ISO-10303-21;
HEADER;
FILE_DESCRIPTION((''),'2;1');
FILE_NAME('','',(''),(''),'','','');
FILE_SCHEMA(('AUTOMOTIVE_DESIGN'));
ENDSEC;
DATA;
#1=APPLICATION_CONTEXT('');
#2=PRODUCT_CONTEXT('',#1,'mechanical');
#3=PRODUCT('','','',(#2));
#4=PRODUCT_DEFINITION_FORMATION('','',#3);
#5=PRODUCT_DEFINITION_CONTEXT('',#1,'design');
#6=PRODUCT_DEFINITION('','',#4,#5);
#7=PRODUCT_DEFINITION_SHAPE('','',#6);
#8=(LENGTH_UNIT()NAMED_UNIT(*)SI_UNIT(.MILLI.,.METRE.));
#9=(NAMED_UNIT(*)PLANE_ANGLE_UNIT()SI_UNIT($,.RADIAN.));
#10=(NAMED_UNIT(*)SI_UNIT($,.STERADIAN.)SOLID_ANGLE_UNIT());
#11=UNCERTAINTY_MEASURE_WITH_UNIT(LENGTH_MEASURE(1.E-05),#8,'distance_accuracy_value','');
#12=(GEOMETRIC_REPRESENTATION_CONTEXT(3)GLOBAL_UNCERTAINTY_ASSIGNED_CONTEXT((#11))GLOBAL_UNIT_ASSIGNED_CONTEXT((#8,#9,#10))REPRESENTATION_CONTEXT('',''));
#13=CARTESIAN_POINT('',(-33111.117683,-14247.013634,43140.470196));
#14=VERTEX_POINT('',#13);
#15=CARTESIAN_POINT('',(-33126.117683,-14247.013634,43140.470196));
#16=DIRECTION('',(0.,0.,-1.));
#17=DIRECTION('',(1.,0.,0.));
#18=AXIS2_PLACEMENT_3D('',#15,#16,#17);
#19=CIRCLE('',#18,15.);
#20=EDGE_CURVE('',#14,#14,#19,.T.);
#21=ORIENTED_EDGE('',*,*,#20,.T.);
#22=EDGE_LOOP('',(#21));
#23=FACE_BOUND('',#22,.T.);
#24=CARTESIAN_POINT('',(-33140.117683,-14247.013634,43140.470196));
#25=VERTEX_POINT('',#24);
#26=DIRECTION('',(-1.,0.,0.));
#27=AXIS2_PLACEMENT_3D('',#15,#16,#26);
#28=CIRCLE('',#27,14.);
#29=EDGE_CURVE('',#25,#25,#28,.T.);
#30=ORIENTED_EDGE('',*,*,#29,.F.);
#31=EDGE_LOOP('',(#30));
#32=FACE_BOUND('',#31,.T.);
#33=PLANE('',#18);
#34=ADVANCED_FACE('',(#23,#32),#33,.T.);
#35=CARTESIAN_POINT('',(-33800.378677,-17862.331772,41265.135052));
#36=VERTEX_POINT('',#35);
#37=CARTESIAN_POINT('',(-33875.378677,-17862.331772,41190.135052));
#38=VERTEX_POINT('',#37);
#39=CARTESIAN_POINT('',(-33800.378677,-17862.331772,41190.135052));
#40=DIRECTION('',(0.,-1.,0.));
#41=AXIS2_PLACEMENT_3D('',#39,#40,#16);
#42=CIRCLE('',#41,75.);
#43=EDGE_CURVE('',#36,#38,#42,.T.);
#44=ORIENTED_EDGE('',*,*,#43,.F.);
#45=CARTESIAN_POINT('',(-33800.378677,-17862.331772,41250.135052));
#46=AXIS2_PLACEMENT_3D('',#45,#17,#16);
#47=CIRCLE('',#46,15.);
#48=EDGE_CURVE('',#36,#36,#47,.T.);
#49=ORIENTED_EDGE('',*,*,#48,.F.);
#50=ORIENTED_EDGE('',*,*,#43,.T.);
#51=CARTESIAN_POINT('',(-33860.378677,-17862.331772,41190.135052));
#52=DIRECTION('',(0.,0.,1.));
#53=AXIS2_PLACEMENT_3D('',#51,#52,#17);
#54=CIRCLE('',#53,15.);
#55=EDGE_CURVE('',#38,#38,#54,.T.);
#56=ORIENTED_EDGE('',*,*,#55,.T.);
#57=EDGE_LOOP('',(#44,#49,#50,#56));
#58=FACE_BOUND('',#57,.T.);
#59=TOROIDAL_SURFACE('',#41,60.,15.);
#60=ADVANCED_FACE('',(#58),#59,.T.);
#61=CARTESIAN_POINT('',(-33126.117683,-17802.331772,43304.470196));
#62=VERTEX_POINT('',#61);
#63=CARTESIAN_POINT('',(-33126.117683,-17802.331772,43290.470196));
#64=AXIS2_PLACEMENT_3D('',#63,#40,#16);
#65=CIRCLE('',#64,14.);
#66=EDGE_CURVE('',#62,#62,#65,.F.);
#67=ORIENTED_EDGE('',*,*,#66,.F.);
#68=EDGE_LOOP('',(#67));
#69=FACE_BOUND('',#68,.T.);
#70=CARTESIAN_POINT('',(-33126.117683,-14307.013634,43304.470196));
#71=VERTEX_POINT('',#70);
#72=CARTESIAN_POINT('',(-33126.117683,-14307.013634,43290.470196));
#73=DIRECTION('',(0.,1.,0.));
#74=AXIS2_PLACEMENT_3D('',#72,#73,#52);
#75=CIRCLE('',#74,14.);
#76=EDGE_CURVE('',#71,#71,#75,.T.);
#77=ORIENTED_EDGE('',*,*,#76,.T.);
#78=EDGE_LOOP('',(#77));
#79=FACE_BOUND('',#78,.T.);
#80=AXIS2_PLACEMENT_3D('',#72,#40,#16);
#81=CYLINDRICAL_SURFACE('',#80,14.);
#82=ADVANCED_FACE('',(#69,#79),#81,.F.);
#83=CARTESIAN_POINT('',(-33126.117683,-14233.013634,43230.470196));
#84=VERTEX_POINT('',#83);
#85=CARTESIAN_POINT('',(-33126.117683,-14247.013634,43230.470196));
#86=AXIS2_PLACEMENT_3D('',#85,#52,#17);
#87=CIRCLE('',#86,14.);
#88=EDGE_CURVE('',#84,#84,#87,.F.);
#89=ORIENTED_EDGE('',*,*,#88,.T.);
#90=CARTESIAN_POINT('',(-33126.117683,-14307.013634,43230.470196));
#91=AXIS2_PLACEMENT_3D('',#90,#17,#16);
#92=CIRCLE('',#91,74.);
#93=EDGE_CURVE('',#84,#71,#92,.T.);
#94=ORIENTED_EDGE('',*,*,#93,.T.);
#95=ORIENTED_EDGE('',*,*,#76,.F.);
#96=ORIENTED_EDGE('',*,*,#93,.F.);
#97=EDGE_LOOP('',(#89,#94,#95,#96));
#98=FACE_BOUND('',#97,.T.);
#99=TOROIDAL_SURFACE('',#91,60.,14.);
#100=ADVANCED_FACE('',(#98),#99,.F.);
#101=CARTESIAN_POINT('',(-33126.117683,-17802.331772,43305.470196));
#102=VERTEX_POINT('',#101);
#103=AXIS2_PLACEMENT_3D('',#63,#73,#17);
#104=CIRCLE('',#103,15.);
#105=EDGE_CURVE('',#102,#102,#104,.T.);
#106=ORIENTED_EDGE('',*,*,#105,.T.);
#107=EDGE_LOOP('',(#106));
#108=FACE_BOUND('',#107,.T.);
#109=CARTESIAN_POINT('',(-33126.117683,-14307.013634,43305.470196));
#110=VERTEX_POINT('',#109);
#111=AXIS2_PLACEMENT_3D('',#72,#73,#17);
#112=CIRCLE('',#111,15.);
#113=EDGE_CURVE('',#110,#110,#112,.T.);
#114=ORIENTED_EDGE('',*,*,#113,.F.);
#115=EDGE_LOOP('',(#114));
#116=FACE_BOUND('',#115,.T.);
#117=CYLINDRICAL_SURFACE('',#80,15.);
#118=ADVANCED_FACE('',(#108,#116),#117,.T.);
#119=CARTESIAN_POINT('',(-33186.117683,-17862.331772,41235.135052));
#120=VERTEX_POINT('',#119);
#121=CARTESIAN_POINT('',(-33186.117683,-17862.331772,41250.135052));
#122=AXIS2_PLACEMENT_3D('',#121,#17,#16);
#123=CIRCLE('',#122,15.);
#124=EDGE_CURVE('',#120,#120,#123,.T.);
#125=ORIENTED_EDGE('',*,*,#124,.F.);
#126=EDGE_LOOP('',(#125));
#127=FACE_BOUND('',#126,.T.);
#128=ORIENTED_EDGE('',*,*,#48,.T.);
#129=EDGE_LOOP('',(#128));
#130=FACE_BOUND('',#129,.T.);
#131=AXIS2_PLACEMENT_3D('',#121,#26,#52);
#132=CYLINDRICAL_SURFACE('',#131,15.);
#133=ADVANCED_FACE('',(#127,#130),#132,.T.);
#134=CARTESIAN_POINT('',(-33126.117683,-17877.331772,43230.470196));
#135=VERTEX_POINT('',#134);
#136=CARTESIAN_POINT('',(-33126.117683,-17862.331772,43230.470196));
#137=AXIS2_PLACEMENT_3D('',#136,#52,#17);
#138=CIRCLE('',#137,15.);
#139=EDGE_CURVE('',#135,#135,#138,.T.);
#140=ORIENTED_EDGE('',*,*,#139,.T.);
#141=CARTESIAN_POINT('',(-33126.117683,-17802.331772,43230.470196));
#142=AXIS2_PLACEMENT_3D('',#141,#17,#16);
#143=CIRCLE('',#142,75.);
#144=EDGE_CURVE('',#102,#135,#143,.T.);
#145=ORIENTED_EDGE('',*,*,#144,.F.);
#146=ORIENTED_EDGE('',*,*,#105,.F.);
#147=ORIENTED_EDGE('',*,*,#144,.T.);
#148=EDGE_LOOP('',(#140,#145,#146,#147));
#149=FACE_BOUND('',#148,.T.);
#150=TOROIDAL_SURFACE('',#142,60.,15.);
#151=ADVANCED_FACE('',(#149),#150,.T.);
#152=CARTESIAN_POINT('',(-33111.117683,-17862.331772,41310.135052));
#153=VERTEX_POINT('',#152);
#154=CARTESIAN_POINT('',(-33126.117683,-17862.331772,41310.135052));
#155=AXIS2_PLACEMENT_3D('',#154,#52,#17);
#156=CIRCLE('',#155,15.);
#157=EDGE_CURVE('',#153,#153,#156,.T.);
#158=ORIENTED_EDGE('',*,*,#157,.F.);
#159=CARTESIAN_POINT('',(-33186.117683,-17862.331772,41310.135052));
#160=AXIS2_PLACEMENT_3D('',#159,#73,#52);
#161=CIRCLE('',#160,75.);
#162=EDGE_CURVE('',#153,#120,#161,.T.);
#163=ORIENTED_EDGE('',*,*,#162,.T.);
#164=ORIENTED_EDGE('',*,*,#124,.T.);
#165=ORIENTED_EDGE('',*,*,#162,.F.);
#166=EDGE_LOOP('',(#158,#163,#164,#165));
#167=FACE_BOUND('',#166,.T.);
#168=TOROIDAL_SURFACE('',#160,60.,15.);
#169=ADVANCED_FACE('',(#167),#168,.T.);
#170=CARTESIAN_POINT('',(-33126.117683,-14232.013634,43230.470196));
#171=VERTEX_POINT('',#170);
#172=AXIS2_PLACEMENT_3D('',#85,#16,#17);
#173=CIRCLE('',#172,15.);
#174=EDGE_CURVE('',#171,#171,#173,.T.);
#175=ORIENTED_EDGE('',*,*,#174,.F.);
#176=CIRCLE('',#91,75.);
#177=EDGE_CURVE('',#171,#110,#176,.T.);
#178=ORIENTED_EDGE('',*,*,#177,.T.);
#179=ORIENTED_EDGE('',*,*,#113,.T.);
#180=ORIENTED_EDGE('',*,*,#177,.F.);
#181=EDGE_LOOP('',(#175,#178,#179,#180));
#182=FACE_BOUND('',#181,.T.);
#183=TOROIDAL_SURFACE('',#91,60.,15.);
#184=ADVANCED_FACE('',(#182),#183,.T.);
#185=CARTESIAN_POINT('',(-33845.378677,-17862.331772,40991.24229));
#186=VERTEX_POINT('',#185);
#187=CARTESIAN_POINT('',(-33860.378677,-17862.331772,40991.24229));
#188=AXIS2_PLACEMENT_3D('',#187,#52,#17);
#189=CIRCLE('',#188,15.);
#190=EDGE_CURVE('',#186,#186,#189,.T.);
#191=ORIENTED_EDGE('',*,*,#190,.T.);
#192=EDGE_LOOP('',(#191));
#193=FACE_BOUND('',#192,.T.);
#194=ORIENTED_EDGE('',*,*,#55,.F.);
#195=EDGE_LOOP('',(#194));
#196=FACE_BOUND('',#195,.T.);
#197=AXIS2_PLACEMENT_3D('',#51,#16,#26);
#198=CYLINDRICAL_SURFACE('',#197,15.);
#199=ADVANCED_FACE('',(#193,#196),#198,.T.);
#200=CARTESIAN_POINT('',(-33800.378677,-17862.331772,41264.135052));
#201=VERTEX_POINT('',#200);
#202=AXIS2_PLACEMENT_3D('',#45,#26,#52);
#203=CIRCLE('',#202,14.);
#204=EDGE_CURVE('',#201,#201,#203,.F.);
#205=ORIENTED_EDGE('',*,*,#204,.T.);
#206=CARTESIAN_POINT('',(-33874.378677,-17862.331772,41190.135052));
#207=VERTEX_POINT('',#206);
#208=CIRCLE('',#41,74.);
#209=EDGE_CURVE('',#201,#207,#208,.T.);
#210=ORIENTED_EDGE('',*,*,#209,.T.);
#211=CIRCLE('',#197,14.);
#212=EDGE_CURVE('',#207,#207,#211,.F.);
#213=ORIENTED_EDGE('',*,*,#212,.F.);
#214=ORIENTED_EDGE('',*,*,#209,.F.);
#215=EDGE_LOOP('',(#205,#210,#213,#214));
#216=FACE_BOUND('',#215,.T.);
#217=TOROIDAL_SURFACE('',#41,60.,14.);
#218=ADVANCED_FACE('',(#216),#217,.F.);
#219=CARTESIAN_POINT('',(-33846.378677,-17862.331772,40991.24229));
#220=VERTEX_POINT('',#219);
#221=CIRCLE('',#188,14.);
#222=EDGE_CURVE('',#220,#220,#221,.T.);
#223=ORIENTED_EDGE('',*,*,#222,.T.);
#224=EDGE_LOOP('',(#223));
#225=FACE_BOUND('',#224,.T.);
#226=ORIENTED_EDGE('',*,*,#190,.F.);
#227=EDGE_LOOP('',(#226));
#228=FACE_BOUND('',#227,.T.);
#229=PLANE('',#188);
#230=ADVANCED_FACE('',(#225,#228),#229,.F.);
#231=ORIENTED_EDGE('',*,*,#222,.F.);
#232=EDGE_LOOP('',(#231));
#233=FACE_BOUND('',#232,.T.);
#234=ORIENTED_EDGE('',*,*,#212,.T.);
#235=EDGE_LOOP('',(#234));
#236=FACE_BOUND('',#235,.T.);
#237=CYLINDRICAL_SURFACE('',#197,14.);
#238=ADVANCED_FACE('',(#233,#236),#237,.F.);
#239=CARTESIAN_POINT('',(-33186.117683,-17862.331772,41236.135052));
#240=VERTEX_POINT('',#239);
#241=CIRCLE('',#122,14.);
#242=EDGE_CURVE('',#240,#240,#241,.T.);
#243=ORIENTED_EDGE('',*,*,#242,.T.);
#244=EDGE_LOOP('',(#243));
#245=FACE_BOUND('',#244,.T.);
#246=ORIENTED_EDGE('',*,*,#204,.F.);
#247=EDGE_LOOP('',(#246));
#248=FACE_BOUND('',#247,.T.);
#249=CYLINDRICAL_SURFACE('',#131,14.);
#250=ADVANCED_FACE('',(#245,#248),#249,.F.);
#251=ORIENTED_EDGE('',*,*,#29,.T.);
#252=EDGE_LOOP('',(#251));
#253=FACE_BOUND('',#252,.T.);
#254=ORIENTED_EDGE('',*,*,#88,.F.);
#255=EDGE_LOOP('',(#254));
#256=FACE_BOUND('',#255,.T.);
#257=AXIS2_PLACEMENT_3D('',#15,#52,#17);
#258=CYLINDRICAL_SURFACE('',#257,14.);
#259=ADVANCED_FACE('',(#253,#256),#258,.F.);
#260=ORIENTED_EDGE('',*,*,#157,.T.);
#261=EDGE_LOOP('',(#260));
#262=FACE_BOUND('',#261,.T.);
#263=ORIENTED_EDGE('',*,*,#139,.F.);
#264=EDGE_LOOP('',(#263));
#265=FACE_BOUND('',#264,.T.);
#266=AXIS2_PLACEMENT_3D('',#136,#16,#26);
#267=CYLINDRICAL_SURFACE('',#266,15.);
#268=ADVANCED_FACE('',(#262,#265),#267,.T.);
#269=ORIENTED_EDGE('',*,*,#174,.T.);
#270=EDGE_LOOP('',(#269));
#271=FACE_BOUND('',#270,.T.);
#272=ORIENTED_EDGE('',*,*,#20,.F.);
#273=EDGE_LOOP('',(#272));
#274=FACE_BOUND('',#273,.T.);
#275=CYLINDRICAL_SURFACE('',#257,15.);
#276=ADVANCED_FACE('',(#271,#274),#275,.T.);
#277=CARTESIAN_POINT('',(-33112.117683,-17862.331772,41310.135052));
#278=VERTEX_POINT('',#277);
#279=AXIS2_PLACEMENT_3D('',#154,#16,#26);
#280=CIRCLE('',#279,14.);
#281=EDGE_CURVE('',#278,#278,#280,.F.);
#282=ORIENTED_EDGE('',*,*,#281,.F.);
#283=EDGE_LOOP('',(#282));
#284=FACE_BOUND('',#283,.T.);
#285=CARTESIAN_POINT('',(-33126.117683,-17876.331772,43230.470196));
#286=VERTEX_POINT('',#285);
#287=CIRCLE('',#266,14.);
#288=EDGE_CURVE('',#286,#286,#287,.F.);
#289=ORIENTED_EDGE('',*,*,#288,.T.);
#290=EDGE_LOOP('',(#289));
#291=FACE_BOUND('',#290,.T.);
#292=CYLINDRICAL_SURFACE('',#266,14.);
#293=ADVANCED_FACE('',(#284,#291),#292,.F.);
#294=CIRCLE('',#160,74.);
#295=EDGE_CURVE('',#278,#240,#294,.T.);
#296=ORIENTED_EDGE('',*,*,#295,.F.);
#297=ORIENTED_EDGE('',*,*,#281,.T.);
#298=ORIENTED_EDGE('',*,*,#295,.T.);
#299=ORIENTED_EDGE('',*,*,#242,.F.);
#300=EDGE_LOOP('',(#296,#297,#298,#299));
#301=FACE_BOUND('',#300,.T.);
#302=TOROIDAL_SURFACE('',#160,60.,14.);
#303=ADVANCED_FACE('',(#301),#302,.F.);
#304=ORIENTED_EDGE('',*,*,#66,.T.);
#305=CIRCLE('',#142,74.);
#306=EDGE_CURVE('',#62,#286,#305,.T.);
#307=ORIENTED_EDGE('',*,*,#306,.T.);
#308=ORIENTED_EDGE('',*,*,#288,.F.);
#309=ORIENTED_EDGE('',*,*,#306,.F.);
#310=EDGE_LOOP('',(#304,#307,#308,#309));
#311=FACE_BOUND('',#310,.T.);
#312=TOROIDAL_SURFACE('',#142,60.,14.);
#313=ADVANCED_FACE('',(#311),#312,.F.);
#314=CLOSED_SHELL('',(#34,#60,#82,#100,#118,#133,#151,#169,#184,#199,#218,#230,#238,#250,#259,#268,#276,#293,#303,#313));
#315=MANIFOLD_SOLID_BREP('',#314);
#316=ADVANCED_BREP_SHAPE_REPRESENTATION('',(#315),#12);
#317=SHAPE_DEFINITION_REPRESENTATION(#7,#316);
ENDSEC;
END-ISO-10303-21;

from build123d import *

# Parameters (mm, degrees)
SWEEP_THIN1_PROFILE_R   = 15
SWEEP_THIN1_PROFILE_R_2 = 14


with BuildPart() as part:
    # Sweep-Thin1: sweep along a curve in space
    with BuildLine() as sweep_thin1_path:
        Line((-33126.117683292, -14247.013633934, 43140.470196057), (-33126.117683292, -14247.013633934, 43230.470196057))
        ThreePointArc((-33126.117683292, -14307.013633934, 43290.470196057), (-33126.117683292, -14264.587227063, 43272.896602928), (-33126.117683292, -14247.013633934, 43230.470196057))
        Line((-33126.117683292, -14307.013633934, 43290.470196057), (-33126.117683292, -17802.331772457, 43290.470196057))
        ThreePointArc((-33126.117683292, -17862.331772457, 43230.470196057), (-33126.117683292, -17844.758179328, 43272.896602928), (-33126.117683292, -17802.331772457, 43290.470196057))
        Line((-33126.117683292, -17862.331772457, 43230.470196057), (-33126.117683292, -17862.331772457, 41310.135051864))
        ThreePointArc((-33186.117683292, -17862.331772457, 41250.135051864), (-33143.69127642, -17862.331772457, 41267.708644993), (-33126.117683292, -17862.331772457, 41310.135051864))
        Line((-33186.117683292, -17862.331772457, 41250.135051864), (-33800.378676909, -17862.331772457, 41250.135051864))
        ThreePointArc((-33860.378676909, -17862.331772457, 41190.135051864), (-33842.805083781, -17862.331772457, 41232.561458736), (-33800.378676909, -17862.331772457, 41250.135051864))
        Line((-33860.378676909, -17862.331772457, 41190.135051864), (-33860.378676909, -17862.331772457, 40991.24229028))
    # Sweep-Thin1 profile (on start of the path) → Sweep-Thin1 (sweep)
    with BuildSketch(Plane(origin=(-33126.117683292, -14247.013633934, 43140.470196057), x_dir=(1, 0, 0), z_dir=(0, 0, 1))):
        Circle(SWEEP_THIN1_PROFILE_R)
        Circle(SWEEP_THIN1_PROFILE_R_2, mode=Mode.SUBTRACT)
    sweep(path=sweep_thin1_path.line)


solid = part.part
